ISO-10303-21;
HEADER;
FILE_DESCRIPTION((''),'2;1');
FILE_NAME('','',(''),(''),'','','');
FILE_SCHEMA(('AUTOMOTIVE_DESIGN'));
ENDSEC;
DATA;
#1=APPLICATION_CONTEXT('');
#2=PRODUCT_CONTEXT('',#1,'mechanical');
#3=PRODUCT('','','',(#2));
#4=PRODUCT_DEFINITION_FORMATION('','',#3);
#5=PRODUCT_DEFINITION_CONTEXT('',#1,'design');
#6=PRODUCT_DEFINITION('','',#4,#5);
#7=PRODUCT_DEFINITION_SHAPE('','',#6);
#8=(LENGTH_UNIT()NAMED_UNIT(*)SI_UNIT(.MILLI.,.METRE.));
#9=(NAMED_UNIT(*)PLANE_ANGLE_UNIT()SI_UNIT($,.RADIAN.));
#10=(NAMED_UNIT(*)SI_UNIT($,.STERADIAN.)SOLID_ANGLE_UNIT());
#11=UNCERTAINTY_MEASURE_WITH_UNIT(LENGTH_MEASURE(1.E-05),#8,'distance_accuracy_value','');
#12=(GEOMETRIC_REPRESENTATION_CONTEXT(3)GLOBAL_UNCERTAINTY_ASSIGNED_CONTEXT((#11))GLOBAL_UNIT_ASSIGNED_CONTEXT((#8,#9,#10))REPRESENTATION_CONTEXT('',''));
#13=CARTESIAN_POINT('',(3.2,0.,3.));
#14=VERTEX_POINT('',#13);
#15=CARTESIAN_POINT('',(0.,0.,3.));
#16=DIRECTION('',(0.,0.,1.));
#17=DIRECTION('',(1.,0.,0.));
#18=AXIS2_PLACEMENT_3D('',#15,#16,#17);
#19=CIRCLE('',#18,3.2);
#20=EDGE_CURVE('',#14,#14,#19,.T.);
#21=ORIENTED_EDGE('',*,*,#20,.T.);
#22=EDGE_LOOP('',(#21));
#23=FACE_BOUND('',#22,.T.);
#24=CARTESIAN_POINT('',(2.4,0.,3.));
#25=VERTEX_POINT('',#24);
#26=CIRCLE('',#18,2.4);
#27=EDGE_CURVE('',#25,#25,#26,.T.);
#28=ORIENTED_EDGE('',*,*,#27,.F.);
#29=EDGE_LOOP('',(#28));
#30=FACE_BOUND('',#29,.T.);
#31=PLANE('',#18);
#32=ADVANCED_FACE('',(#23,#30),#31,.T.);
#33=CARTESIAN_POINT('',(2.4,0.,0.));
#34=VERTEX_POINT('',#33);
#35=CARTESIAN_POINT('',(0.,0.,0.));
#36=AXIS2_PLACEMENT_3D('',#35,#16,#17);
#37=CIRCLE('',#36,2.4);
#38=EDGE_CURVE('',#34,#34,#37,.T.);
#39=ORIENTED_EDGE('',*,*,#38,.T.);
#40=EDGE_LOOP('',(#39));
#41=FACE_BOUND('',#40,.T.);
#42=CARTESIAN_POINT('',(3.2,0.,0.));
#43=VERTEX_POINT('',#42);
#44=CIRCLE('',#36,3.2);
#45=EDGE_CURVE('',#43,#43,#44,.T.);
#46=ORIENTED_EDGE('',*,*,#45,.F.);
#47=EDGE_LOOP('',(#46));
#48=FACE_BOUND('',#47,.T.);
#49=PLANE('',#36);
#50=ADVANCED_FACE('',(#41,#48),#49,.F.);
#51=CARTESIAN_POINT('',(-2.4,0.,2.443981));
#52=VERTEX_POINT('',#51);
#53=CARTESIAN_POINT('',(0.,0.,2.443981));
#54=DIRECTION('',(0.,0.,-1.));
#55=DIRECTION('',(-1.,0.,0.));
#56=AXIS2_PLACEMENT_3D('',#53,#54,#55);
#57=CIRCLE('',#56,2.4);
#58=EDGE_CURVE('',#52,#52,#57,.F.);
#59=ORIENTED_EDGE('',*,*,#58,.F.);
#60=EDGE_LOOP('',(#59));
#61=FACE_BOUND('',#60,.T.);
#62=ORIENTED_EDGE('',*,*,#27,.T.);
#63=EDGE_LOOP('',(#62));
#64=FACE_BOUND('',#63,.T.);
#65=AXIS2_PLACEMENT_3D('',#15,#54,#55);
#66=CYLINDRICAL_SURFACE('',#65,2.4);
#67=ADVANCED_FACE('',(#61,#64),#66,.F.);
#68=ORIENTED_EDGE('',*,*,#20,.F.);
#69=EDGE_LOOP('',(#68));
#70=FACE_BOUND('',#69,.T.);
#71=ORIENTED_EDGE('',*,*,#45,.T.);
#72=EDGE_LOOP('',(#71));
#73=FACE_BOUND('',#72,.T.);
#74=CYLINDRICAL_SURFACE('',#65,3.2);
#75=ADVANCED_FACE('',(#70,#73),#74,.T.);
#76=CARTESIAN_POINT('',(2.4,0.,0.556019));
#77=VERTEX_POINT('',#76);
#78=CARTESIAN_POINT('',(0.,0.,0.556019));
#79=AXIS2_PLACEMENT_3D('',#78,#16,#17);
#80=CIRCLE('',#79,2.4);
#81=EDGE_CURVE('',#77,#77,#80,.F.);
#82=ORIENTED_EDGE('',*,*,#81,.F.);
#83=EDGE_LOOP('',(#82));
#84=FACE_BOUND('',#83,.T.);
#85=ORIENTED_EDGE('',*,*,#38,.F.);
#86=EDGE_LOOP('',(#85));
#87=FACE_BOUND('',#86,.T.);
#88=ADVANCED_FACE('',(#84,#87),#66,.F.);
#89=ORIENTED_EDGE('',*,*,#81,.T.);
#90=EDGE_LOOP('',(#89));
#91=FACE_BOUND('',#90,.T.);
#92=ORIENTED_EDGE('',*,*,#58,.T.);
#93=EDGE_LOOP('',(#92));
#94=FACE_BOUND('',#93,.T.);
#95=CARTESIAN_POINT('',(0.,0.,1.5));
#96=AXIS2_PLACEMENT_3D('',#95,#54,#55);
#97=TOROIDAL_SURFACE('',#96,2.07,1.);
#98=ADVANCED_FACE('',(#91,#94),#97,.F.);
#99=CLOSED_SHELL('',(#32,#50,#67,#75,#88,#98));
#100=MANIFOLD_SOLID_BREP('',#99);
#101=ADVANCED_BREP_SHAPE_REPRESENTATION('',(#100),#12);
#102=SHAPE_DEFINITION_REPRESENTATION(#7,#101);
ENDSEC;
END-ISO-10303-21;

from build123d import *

# Parameters (mm, degrees)
SKETCH2_R           = 3.2
SKETCH2_R_2         = 2.4
BOSS_EXTRUDE1_DEPTH = 3
SKETCH3_R           = 1


with BuildPart() as part:
    # Sketch2 → Boss-Extrude1 (new body)
    with BuildSketch(Plane.XY):
        Circle(SKETCH2_R)
        Circle(SKETCH2_R_2, mode=Mode.SUBTRACT)
    extrude(amount=BOSS_EXTRUDE1_DEPTH)

    # Sketch3 → Cut-Revolve1 (revolve, cut)
    with BuildSketch(Plane(origin=(0, 0, 0), x_dir=(0, 0, -1), z_dir=(1, 0, 0)), mode=Mode.PRIVATE) as cut_revolve1_sk:
        with Locations((-1.5, 2.07)):
            Circle(SKETCH3_R)
    revolve(cut_revolve1_sk.sketch.rotate(Axis((0, 0, 0), (0, 0, 1)), 90), axis=Axis((0, 0, 0), (0, 0, 1)), mode=Mode.SUBTRACT)


solid = part.part
